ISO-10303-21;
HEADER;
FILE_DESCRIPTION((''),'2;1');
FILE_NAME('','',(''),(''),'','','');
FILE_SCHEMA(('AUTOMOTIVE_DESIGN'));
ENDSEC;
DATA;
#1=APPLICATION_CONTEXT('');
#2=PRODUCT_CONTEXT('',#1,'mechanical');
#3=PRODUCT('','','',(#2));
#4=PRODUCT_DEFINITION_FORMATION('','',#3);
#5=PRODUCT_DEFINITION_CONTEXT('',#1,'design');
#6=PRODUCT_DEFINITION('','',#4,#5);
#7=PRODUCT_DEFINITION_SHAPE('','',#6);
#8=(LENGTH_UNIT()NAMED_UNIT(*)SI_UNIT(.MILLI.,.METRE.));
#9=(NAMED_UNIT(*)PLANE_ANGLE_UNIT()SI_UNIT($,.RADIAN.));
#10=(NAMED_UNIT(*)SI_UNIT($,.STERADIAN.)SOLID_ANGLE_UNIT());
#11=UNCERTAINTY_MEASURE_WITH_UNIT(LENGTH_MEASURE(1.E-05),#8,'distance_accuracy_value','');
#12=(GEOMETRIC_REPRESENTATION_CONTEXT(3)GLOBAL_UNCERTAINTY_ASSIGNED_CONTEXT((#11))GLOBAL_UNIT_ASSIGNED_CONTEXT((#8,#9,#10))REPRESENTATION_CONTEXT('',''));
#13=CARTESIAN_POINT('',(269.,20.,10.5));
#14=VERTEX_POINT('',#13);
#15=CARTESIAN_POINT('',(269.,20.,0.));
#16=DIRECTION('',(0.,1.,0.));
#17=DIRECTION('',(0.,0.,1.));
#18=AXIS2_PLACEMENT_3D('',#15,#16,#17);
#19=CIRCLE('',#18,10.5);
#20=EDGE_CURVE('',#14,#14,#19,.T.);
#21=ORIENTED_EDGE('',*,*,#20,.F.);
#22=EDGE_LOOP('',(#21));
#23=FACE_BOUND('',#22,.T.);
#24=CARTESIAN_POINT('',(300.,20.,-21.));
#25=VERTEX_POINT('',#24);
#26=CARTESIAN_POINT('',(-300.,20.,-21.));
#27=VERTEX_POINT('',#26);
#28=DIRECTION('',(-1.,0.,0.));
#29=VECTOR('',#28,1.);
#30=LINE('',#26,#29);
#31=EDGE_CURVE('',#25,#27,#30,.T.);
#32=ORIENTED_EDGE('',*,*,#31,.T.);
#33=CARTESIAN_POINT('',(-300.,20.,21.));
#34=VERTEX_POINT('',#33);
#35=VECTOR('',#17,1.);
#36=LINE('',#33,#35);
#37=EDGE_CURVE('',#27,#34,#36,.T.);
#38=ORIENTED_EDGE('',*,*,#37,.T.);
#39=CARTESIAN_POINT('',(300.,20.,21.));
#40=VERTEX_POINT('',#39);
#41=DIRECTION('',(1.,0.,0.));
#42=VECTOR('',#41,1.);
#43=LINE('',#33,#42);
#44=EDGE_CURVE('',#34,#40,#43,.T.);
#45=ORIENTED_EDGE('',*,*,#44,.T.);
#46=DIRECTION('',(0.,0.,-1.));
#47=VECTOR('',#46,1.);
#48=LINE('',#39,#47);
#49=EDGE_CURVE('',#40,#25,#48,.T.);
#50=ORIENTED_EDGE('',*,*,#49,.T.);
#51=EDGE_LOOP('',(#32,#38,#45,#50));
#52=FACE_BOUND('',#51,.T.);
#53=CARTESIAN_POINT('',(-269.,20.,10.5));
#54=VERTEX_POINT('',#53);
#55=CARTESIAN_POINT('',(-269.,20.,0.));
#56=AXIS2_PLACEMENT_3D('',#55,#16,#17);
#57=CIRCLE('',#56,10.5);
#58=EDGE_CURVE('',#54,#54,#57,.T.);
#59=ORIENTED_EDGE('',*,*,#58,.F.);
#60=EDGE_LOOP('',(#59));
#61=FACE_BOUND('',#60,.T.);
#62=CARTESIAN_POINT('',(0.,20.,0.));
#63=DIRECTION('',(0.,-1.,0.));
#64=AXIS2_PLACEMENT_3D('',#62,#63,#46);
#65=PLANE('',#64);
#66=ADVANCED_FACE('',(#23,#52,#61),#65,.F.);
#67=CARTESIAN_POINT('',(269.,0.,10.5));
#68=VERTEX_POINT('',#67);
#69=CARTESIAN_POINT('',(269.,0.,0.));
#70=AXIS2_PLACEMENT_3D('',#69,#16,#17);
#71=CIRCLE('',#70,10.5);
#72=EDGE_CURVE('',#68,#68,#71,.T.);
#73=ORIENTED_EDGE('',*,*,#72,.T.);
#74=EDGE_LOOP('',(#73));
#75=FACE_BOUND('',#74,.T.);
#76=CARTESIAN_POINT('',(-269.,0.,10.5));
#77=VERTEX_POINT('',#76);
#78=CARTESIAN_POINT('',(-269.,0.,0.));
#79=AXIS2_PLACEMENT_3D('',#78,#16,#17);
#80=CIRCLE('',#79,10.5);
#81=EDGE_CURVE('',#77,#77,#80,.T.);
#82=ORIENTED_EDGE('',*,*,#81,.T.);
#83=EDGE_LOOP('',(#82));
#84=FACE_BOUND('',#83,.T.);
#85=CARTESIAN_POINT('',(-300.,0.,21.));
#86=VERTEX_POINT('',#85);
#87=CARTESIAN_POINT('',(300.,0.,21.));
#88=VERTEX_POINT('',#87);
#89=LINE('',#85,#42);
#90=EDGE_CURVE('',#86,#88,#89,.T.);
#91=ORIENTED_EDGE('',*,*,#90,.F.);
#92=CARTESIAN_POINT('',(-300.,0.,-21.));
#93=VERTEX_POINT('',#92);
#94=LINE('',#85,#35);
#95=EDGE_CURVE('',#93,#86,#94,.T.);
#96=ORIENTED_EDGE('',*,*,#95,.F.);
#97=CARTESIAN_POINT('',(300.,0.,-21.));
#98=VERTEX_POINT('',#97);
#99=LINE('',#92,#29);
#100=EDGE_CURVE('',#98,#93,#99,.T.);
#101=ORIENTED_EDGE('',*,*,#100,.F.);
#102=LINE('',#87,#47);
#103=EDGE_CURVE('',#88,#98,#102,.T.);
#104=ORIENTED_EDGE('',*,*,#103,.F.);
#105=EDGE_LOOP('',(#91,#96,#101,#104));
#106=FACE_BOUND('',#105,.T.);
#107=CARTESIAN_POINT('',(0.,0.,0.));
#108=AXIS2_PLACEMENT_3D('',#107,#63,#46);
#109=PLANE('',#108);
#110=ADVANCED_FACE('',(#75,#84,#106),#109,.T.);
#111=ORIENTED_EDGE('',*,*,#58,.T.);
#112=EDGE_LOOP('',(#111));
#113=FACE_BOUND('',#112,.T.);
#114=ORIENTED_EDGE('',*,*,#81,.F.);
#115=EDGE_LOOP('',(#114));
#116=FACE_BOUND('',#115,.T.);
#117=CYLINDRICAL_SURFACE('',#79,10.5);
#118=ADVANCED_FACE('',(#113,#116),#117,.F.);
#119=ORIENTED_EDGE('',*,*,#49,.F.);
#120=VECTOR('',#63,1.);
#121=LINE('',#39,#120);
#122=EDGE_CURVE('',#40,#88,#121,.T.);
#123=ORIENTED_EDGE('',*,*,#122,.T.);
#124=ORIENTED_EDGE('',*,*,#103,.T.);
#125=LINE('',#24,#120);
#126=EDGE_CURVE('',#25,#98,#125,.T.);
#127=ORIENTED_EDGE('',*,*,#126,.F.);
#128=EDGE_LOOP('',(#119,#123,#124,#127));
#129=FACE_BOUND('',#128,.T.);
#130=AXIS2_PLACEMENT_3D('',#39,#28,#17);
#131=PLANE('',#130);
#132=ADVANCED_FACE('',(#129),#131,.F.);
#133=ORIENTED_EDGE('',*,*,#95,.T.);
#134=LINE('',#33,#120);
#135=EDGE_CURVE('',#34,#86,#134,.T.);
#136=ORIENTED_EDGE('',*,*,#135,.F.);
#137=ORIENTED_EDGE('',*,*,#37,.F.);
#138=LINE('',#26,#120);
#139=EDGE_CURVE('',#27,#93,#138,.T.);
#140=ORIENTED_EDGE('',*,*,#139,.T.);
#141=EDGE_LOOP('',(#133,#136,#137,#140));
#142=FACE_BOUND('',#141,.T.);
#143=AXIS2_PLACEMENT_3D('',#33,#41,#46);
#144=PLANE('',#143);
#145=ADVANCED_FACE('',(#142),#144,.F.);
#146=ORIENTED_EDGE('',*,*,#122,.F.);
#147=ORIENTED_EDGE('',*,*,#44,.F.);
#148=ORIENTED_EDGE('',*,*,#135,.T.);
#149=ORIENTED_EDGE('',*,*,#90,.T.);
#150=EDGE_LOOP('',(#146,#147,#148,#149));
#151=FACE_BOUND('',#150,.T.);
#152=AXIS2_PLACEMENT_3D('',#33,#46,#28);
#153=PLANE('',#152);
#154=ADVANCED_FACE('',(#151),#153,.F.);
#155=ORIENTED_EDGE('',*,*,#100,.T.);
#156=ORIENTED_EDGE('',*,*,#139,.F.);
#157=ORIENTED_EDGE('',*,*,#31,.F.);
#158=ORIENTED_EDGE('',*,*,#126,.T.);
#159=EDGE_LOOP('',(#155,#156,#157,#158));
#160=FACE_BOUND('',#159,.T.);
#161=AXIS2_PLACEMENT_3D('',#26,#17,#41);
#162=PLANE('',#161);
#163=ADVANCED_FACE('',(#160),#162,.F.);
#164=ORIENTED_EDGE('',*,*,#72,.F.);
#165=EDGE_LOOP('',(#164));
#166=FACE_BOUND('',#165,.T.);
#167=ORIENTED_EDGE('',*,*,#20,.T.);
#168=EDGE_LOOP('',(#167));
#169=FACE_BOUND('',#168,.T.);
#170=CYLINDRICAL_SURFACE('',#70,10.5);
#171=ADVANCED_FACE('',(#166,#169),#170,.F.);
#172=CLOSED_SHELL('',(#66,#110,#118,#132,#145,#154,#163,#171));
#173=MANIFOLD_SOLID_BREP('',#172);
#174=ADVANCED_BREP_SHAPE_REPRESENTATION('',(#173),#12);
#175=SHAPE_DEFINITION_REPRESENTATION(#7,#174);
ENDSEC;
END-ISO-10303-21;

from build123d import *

# Parameters (mm, degrees)
ESQUISSE1_W             = 600
ESQUISSE1_H             = 42
BOSS_EXTRU_1_DEPTH      = 20
ESQUISSE2_R             = 10.5
ENL_V_MAT_EXTRU_1_DEPTH = 20


with BuildPart() as part:
    # Esquisse1 → Boss.-Extru.1 (new body)
    with BuildSketch(Plane(origin=(0, 0, 0), x_dir=(1, 0, 0), z_dir=(0, 1, 0))):
        Rectangle(ESQUISSE1_W, ESQUISSE1_H)
    extrude(amount=BOSS_EXTRU_1_DEPTH)

    # Esquisse2 → Enlèv. mat.-Extru.1 (cut)
    with BuildSketch(Plane(origin=(0, 20, 0), x_dir=(1, 0, 0), z_dir=(0, 1, 0))):
        with Locations(Location((-269, 0, 0), (0, 0, 270))):
            Circle(ESQUISSE2_R)
        with Locations(Location((269, 0, 0), (0, 0, 270))):
            Circle(ESQUISSE2_R)
    extrude(amount=-ENL_V_MAT_EXTRU_1_DEPTH, mode=Mode.SUBTRACT)


solid = part.part
